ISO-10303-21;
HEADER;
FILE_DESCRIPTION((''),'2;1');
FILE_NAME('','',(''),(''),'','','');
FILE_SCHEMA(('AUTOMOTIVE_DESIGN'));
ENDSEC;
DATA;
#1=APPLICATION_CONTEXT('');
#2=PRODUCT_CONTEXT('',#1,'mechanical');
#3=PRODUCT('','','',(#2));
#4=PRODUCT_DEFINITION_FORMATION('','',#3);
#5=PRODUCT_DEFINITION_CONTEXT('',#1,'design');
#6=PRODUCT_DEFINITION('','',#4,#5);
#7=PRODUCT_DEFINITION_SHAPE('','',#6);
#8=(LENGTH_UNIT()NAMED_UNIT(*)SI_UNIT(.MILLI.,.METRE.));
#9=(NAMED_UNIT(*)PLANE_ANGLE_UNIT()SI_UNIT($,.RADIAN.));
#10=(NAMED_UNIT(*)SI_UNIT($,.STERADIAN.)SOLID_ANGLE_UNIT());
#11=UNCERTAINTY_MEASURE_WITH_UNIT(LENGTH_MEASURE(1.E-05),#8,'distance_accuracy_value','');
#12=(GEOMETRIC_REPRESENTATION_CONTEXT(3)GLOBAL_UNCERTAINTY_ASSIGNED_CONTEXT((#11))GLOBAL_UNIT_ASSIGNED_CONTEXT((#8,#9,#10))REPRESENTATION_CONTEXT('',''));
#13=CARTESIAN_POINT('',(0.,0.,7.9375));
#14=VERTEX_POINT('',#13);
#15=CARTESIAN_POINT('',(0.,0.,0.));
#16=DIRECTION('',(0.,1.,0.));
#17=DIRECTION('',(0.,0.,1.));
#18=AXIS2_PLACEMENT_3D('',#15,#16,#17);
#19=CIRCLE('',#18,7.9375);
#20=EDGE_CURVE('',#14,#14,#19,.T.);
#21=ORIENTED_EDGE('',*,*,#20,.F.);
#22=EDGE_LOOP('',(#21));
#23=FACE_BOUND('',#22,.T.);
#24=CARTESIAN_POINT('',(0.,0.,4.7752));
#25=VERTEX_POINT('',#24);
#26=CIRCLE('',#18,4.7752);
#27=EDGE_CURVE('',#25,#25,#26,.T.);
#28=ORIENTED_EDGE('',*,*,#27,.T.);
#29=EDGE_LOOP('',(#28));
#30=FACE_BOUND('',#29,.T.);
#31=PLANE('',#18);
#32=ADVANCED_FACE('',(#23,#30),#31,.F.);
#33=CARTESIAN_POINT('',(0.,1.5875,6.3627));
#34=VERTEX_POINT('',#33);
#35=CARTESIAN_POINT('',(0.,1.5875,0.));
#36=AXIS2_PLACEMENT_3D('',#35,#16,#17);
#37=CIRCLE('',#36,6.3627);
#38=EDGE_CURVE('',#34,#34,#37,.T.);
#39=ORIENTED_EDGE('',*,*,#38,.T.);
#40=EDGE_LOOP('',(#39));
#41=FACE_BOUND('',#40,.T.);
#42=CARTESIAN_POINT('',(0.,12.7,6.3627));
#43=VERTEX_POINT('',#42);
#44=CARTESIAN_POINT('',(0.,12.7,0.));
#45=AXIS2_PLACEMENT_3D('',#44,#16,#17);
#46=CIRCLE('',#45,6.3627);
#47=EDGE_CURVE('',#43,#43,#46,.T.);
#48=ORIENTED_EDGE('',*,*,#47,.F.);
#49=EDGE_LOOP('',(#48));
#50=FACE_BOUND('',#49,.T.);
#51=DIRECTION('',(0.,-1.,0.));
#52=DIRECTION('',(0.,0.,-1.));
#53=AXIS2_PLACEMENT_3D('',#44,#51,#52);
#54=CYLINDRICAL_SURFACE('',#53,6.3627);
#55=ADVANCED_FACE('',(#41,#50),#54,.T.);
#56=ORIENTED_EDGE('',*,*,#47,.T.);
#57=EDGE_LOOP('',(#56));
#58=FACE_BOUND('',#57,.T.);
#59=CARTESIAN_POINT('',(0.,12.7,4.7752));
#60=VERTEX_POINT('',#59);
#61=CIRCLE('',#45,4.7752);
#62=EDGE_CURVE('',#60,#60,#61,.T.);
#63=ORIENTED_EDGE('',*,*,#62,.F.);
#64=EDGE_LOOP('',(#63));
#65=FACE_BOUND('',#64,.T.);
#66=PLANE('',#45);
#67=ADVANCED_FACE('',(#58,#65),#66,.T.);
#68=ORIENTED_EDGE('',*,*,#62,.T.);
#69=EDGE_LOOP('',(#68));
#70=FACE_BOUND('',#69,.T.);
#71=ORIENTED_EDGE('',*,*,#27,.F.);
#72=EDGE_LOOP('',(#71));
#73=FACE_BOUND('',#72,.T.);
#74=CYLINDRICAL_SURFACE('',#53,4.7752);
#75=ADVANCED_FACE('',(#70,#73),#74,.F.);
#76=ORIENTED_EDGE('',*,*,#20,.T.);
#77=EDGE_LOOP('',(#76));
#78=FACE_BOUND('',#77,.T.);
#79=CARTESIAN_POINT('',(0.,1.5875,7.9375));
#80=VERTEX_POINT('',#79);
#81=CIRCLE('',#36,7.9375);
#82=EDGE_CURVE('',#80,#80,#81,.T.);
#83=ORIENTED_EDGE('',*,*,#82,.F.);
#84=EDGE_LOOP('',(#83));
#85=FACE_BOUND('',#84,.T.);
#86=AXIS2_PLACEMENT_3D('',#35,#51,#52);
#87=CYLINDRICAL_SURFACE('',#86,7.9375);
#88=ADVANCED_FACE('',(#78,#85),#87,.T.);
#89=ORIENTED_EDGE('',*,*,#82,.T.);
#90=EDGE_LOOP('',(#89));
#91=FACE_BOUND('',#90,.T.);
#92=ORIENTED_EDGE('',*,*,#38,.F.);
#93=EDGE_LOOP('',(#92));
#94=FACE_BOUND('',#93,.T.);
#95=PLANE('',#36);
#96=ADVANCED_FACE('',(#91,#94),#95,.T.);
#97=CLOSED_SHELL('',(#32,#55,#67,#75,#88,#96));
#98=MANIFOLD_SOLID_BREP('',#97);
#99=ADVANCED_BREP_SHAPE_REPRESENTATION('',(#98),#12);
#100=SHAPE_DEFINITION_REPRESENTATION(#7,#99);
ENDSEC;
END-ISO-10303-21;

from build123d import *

# Parameters (mm, degrees)
SKETCH2_R           = 6.3627
SKETCH2_R_2         = 4.7752
BOSS_EXTRUDE1_DEPTH = 12.7
SKETCH3_R           = 7.9375
SKETCH3_R_2         = 6.3627
BOSS_EXTRUDE2_DEPTH = 1.5875


with BuildPart() as part:
    # Sketch2 → Boss-Extrude1 (new body)
    with BuildSketch(Plane(origin=(0, 0, 0), x_dir=(1, 0, 0), z_dir=(0, 1, 0))):
        Circle(SKETCH2_R)
        Circle(SKETCH2_R_2, mode=Mode.SUBTRACT)
    extrude(amount=BOSS_EXTRUDE1_DEPTH)

    # Sketch3 → Boss-Extrude2 (add)
    with BuildSketch(Plane(origin=(0, 0, 0), x_dir=(1, 0, 0), z_dir=(0, 1, 0))):
        Circle(SKETCH3_R)
        Circle(SKETCH3_R_2, mode=Mode.SUBTRACT)
    extrude(amount=BOSS_EXTRUDE2_DEPTH)


solid = part.part
